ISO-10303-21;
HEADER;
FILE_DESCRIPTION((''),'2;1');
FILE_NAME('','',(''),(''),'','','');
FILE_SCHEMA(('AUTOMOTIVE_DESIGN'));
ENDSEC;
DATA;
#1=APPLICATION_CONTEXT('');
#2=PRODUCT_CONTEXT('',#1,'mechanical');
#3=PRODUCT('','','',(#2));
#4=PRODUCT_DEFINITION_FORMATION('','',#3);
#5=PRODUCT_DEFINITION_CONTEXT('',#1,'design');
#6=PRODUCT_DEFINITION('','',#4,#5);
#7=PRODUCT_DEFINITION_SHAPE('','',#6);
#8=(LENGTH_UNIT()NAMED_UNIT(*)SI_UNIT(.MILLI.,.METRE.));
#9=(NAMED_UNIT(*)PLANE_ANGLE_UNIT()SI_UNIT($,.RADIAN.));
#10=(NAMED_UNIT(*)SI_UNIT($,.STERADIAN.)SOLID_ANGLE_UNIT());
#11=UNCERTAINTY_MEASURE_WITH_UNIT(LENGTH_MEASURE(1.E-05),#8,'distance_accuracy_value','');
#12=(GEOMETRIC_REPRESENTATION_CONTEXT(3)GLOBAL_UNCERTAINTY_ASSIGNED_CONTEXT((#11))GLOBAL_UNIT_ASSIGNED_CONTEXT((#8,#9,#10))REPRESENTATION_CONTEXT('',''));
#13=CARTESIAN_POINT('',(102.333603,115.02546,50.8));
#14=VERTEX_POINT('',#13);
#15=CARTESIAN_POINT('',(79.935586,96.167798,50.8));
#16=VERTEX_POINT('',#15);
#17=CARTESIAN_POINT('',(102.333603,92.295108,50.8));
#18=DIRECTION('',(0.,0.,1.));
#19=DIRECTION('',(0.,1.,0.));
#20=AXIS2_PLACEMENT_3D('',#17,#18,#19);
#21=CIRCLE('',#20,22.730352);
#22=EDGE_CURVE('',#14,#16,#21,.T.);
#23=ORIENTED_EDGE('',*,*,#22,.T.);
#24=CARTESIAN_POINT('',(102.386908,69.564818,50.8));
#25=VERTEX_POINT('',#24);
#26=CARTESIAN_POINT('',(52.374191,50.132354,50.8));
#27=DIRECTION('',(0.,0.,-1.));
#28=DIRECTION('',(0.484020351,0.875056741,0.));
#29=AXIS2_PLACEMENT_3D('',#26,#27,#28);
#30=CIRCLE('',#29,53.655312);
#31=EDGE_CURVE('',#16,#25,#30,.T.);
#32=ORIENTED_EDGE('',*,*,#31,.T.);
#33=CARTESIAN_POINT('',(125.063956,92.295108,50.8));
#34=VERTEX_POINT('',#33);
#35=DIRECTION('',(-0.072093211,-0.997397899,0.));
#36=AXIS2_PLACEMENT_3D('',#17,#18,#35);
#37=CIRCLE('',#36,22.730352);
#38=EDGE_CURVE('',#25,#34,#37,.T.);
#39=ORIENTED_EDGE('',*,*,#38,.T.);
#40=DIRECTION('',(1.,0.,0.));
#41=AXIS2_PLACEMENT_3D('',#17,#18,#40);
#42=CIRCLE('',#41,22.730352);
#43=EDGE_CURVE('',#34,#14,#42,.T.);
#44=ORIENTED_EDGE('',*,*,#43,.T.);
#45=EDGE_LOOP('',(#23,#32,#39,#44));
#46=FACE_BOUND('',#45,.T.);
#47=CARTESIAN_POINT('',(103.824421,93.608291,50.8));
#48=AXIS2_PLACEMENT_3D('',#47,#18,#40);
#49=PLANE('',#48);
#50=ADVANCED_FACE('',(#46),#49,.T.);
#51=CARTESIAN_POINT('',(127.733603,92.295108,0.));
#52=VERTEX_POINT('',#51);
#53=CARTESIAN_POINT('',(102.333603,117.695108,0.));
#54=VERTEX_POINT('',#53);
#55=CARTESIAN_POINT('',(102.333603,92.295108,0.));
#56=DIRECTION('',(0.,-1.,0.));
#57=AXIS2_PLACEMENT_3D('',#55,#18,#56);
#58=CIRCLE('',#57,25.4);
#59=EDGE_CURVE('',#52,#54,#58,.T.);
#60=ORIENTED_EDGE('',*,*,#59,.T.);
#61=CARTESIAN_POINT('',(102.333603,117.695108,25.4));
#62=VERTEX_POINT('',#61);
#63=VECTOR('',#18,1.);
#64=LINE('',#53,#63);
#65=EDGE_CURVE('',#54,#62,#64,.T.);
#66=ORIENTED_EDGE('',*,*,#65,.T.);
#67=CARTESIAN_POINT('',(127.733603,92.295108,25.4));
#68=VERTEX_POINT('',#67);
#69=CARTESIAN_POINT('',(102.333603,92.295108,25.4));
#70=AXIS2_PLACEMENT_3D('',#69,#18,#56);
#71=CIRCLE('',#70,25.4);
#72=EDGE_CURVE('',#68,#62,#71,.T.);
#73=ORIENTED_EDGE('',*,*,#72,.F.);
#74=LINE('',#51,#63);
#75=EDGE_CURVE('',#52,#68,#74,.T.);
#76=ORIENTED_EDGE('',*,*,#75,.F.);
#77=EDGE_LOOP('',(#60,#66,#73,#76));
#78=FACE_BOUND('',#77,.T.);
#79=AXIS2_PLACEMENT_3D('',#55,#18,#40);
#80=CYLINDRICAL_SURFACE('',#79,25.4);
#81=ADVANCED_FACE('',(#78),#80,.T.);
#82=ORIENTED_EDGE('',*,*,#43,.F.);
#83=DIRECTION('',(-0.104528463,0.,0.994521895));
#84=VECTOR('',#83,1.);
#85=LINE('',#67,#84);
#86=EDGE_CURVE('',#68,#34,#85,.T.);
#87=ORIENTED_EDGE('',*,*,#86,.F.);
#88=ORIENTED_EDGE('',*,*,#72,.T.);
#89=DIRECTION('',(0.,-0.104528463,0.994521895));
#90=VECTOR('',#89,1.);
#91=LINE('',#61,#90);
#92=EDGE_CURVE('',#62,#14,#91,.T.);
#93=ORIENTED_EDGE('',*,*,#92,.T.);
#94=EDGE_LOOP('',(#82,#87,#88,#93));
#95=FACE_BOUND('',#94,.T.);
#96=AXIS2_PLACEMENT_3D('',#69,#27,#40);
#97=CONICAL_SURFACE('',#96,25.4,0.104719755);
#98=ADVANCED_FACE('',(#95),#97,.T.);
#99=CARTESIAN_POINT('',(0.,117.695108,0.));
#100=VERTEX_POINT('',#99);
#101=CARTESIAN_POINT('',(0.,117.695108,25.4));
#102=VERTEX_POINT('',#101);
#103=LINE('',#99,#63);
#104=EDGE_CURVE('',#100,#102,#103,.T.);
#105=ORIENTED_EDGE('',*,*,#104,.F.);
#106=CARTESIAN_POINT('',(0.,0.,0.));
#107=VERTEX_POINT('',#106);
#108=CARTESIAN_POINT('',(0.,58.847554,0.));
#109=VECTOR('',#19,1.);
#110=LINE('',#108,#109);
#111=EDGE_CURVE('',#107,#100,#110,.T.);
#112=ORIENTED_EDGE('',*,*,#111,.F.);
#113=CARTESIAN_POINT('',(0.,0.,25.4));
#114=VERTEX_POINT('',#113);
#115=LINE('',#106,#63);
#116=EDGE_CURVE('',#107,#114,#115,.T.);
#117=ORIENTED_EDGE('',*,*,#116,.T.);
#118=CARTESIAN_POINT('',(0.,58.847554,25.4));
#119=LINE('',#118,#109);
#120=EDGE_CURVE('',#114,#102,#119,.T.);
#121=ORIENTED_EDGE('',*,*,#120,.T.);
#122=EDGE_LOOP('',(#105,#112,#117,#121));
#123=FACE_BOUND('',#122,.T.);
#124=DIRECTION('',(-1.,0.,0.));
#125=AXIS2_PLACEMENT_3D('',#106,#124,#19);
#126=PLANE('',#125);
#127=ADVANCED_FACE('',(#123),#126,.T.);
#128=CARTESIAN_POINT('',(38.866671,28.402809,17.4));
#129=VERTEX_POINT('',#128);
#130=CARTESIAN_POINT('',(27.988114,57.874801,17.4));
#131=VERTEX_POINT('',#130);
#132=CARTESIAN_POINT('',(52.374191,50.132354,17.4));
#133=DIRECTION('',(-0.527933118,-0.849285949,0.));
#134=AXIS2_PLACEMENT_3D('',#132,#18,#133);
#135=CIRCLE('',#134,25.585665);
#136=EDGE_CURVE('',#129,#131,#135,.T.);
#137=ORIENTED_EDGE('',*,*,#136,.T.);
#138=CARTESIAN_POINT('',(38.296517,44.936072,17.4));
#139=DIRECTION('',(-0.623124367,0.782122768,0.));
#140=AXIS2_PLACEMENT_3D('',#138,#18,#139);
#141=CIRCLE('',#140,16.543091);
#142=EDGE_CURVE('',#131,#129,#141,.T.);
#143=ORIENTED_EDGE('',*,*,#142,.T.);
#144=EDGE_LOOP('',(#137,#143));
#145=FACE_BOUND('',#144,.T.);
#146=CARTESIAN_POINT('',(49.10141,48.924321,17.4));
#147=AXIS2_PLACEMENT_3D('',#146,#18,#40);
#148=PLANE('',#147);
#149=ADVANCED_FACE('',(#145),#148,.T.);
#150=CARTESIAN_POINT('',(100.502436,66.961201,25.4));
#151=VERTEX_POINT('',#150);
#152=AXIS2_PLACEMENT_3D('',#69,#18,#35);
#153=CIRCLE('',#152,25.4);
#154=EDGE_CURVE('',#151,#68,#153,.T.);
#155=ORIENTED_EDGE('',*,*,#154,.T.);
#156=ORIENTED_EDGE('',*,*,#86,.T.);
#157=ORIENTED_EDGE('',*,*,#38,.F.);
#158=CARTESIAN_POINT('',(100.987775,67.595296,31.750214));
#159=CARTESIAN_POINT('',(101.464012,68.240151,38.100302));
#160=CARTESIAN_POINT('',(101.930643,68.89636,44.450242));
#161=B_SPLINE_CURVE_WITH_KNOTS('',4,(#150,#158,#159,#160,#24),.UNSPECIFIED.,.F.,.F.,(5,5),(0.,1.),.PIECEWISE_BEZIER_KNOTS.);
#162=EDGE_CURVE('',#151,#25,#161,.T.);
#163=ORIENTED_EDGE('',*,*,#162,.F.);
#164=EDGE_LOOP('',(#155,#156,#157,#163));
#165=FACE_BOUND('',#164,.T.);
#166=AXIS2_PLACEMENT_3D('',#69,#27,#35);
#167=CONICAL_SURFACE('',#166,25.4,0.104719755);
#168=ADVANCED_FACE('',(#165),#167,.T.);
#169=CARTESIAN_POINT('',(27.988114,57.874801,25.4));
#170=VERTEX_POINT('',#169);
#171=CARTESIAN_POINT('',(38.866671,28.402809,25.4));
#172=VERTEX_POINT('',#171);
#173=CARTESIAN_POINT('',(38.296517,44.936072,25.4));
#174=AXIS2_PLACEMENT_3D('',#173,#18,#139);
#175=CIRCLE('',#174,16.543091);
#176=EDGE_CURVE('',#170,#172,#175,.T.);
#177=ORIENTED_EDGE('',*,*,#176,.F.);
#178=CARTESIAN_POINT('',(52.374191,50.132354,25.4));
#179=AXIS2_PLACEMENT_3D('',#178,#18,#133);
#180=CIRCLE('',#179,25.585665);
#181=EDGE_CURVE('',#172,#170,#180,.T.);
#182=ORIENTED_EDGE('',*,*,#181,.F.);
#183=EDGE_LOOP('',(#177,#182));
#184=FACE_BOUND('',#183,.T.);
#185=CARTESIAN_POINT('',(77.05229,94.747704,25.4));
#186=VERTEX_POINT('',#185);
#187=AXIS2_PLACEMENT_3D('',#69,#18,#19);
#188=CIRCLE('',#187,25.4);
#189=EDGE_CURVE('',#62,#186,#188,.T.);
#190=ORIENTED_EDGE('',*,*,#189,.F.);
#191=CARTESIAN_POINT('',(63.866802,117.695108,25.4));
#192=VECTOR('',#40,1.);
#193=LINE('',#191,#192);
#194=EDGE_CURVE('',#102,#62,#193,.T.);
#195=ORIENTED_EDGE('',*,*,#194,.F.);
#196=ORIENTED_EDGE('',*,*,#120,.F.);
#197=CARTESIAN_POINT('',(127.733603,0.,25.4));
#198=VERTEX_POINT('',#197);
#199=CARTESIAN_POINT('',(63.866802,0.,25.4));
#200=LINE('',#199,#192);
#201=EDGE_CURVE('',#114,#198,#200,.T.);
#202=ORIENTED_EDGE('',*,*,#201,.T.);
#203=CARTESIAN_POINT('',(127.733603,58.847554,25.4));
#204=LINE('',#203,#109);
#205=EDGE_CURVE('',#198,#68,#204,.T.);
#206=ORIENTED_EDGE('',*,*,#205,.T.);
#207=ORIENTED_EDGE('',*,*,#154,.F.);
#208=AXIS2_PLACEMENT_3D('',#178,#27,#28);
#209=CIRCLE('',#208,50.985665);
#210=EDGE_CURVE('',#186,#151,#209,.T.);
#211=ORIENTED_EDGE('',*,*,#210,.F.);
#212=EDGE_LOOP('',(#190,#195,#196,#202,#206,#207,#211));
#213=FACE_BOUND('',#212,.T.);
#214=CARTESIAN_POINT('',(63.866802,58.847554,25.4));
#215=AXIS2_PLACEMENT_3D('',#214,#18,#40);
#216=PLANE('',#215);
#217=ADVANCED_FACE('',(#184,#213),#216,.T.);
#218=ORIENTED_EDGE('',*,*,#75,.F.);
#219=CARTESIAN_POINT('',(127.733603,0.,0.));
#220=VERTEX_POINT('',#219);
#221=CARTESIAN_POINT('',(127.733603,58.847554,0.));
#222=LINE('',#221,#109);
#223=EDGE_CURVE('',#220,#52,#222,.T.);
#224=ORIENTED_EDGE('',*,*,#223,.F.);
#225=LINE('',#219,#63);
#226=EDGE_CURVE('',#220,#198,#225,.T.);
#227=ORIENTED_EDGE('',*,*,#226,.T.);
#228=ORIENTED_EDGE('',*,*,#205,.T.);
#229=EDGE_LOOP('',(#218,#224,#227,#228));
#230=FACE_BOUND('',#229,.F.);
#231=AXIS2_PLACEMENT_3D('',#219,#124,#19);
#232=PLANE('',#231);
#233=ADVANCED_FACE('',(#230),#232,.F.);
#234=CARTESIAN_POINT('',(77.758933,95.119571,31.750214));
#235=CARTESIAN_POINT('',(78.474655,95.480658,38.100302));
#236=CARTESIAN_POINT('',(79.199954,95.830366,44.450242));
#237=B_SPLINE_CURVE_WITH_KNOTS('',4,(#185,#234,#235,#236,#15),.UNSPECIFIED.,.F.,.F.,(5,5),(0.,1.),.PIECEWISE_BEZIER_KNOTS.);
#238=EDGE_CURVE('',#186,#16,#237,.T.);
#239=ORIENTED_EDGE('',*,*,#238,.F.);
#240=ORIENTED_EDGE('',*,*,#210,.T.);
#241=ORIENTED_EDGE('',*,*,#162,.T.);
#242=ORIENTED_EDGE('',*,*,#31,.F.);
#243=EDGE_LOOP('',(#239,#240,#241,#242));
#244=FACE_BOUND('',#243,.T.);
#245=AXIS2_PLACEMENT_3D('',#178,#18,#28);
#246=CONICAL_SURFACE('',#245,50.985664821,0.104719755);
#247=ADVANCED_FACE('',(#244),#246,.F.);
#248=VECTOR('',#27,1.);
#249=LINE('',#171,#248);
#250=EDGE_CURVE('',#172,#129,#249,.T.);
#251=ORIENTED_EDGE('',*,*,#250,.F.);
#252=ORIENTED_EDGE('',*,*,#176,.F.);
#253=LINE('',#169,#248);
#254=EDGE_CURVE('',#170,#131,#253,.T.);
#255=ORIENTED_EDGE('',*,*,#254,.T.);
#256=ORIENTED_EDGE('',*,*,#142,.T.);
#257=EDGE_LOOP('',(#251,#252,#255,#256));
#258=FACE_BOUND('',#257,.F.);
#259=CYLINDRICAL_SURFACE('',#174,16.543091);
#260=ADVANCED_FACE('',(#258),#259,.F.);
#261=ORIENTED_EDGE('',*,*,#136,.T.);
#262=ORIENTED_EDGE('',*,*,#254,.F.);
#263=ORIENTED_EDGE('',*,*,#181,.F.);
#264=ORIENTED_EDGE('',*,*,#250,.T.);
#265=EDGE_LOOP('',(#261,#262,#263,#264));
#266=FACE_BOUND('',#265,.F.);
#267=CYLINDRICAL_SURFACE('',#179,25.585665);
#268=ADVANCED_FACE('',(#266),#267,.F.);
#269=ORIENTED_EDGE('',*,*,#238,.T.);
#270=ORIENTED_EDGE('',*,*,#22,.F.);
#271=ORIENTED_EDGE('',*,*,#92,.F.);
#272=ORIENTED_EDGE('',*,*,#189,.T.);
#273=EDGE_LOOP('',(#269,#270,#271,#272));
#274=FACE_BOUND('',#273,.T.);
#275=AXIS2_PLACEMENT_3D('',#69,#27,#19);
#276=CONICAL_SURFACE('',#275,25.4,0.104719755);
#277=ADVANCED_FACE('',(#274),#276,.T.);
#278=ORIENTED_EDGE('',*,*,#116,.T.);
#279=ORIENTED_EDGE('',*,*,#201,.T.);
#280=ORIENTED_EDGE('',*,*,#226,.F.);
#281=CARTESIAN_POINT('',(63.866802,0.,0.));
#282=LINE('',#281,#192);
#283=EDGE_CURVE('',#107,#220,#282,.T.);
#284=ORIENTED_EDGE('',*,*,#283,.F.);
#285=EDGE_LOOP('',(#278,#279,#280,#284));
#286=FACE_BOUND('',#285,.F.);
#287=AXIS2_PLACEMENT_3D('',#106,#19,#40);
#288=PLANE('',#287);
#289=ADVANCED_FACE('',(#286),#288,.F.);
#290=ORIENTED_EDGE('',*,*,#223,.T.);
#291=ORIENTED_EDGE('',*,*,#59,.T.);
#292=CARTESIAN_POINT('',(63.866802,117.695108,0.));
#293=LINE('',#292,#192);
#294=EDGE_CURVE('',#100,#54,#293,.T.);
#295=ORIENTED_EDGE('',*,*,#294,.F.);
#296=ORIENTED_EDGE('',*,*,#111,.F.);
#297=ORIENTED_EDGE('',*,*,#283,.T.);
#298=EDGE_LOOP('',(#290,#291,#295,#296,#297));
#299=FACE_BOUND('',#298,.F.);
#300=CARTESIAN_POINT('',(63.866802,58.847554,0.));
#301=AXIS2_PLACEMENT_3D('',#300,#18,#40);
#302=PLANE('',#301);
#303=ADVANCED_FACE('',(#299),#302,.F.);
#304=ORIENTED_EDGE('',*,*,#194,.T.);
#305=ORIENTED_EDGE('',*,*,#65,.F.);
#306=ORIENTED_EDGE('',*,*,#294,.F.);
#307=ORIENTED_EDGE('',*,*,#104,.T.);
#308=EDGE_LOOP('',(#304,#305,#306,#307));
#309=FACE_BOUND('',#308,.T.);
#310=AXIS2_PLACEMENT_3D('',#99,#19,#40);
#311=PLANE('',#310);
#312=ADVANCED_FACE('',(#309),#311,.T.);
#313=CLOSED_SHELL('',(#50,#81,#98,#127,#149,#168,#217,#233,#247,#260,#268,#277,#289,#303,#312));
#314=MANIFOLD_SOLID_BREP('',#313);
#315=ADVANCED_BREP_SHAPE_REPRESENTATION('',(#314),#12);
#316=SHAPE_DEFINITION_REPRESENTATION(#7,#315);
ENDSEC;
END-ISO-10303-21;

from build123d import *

# Parameters (mm, degrees)
F0_W     = 127.7336031199
F0_H     = 117.6951080561
F1_DEPTH = 25.4
F2_R     = 25.4
F4_DEPTH = 8
F6_DEPTH = 25.4
F6_TAPER = 6


with BuildPart() as f1:
    # F0 (on Top) → F1 (new body)
    with BuildSketch(Plane.XY):
        with Locations((63.8668015599, 58.847554028)):
            Rectangle(F0_W, F0_H)
    extrude(amount=F1_DEPTH)

    # F2
    f2_edges = [f1.edges().sort_by_distance(p)[0] for p in [
        (127.733603, 117.695108, 12.7),
    ]]
    fillet(f2_edges, radius=F2_R)

    # F3 (on face) → F4 (cut)
    with BuildSketch(Plane.XY.offset(25.4)):
        with BuildLine():
            ThreePointArc((38.8666712233, 28.4028087029), (76.3769148887, 58.9921224705), (27.9881136193, 57.8748005294))
            ThreePointArc((27.9881136193, 57.8748005294), (22.7769180991, 39.2075535793), (38.8666712233, 28.4028087029))
        make_face()
    extrude(amount=-F4_DEPTH, mode=Mode.SUBTRACT)

    # F5 (on face) → F6 (join)
    with BuildSketch(Plane.XY.offset(25.4)):
        with BuildLine():
            ThreePointArc((77.0522903969, 94.7477040289), (91.3384484979, 83.0158556177), (100.5024355694, 66.9612014208))
            ThreePointArc((100.5024355694, 66.9612014208), (119.6345907249, 73.6984463156), (127.7336031199, 92.2951080561))
            ThreePointArc((127.7336031199, 92.2951080561), (120.294115362, 110.2556202982), (102.3336031199, 117.6951080561))
            ThreePointArc((102.3336031199, 117.6951080561), (85.26222265, 111.1027652428), (77.0522903969, 94.7477040289))
        make_face()
    extrude(amount=F6_DEPTH, taper=F6_TAPER)


solid = f1.part
